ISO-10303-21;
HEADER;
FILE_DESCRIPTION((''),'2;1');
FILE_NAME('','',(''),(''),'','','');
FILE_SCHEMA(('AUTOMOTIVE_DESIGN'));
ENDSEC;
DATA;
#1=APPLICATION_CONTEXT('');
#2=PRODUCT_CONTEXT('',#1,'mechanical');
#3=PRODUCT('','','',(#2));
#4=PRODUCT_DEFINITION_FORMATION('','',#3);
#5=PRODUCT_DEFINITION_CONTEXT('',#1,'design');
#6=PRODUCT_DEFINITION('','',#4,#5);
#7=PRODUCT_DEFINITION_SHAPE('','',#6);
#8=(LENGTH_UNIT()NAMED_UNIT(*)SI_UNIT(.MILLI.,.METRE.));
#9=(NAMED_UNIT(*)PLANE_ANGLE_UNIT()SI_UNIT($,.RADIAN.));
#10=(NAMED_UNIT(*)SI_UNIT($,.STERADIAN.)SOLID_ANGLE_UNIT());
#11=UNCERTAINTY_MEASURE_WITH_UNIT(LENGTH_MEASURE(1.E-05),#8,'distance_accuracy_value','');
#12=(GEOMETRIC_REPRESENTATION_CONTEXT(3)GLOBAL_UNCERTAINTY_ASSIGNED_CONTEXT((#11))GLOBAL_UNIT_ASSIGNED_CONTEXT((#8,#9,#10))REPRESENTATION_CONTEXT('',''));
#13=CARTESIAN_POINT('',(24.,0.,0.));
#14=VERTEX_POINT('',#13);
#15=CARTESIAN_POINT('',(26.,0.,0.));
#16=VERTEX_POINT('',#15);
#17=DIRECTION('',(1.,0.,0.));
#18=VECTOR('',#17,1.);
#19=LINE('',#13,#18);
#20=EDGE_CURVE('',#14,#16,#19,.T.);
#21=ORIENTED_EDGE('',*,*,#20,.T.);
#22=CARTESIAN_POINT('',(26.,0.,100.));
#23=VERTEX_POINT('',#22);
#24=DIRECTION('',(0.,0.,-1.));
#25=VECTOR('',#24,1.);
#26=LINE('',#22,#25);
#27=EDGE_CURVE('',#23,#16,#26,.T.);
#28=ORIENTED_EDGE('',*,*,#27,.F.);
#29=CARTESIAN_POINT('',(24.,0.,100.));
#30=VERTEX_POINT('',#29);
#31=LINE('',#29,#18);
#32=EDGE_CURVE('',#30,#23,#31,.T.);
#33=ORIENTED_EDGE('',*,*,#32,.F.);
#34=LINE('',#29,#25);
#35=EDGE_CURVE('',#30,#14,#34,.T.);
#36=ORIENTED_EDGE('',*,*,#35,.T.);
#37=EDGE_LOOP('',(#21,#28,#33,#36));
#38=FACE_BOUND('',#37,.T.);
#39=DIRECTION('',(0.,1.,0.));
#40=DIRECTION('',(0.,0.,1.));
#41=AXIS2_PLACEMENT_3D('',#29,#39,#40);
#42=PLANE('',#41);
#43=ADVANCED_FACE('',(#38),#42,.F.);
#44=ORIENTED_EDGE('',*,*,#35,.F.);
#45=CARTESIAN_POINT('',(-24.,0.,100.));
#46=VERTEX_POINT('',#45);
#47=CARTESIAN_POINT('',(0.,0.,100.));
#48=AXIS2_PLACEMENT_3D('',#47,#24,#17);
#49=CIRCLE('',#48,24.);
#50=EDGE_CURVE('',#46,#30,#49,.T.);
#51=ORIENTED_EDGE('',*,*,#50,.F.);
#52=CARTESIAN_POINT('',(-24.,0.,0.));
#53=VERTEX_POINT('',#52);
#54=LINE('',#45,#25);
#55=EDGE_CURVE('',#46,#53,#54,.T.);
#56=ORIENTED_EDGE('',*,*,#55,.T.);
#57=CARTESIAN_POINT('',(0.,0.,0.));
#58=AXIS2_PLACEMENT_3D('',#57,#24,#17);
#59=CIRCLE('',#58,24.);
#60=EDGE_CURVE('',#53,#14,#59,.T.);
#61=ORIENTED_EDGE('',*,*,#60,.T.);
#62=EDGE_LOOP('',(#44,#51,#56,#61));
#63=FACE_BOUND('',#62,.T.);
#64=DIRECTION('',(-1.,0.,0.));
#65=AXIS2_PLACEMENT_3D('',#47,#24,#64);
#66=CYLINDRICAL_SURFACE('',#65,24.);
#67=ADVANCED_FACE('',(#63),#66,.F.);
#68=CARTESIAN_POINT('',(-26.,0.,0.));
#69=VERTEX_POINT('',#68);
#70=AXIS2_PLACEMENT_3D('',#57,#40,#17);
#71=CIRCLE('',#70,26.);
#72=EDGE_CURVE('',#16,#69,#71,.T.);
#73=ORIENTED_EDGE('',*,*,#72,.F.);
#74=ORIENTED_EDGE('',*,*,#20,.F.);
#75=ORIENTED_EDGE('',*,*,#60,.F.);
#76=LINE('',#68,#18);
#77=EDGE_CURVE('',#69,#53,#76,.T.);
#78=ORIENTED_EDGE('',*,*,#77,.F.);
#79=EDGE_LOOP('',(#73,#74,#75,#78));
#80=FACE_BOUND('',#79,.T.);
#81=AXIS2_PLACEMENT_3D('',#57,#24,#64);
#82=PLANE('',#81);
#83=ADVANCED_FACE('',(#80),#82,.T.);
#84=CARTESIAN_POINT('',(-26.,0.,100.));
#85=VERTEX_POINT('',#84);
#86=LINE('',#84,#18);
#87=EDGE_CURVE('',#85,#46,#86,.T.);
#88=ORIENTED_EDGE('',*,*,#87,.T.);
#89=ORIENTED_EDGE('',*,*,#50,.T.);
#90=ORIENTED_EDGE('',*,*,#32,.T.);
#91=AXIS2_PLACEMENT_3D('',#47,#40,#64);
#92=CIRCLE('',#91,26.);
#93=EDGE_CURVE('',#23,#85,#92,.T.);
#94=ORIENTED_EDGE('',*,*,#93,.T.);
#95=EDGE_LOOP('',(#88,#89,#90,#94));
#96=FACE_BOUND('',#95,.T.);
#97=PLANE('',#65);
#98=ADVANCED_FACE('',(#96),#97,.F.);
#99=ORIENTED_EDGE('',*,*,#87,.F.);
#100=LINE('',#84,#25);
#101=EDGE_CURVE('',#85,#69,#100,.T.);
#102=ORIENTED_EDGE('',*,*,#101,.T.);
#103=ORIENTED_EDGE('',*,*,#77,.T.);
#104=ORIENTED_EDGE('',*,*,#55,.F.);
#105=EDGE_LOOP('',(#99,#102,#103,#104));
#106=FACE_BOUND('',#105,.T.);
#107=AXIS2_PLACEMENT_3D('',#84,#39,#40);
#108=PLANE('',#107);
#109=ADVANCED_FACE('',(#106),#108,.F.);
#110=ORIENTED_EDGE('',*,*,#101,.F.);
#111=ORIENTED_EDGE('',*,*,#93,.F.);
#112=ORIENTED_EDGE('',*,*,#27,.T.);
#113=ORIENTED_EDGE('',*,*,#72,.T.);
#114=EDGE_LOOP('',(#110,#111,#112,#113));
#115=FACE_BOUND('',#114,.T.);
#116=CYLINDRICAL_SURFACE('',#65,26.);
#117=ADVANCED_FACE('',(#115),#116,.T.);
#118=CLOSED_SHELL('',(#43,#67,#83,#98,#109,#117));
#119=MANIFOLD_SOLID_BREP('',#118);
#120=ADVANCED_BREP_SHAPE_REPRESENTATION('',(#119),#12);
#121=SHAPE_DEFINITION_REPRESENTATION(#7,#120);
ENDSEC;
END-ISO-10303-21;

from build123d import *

# Parameters (mm, degrees)
BOSS_EXTRU_1_DEPTH = 100


with BuildPart() as part:
    # Esquisse1 → Boss.-Extru.1 (new body)
    with BuildSketch(Plane.XY):
        with BuildLine():
            Line((-26, 0), (-24, 0))
            ThreePointArc((-24, 0), (0, 24), (24, 0))
            Line((24, 0), (26, 0))
            ThreePointArc((26, 0), (18.384776311, 18.384776311), (0, 26))
            ThreePointArc((0, 26), (-18.384776311, 18.384776311), (-26, 0))
        make_face()
    extrude(amount=BOSS_EXTRU_1_DEPTH)


solid = part.part
